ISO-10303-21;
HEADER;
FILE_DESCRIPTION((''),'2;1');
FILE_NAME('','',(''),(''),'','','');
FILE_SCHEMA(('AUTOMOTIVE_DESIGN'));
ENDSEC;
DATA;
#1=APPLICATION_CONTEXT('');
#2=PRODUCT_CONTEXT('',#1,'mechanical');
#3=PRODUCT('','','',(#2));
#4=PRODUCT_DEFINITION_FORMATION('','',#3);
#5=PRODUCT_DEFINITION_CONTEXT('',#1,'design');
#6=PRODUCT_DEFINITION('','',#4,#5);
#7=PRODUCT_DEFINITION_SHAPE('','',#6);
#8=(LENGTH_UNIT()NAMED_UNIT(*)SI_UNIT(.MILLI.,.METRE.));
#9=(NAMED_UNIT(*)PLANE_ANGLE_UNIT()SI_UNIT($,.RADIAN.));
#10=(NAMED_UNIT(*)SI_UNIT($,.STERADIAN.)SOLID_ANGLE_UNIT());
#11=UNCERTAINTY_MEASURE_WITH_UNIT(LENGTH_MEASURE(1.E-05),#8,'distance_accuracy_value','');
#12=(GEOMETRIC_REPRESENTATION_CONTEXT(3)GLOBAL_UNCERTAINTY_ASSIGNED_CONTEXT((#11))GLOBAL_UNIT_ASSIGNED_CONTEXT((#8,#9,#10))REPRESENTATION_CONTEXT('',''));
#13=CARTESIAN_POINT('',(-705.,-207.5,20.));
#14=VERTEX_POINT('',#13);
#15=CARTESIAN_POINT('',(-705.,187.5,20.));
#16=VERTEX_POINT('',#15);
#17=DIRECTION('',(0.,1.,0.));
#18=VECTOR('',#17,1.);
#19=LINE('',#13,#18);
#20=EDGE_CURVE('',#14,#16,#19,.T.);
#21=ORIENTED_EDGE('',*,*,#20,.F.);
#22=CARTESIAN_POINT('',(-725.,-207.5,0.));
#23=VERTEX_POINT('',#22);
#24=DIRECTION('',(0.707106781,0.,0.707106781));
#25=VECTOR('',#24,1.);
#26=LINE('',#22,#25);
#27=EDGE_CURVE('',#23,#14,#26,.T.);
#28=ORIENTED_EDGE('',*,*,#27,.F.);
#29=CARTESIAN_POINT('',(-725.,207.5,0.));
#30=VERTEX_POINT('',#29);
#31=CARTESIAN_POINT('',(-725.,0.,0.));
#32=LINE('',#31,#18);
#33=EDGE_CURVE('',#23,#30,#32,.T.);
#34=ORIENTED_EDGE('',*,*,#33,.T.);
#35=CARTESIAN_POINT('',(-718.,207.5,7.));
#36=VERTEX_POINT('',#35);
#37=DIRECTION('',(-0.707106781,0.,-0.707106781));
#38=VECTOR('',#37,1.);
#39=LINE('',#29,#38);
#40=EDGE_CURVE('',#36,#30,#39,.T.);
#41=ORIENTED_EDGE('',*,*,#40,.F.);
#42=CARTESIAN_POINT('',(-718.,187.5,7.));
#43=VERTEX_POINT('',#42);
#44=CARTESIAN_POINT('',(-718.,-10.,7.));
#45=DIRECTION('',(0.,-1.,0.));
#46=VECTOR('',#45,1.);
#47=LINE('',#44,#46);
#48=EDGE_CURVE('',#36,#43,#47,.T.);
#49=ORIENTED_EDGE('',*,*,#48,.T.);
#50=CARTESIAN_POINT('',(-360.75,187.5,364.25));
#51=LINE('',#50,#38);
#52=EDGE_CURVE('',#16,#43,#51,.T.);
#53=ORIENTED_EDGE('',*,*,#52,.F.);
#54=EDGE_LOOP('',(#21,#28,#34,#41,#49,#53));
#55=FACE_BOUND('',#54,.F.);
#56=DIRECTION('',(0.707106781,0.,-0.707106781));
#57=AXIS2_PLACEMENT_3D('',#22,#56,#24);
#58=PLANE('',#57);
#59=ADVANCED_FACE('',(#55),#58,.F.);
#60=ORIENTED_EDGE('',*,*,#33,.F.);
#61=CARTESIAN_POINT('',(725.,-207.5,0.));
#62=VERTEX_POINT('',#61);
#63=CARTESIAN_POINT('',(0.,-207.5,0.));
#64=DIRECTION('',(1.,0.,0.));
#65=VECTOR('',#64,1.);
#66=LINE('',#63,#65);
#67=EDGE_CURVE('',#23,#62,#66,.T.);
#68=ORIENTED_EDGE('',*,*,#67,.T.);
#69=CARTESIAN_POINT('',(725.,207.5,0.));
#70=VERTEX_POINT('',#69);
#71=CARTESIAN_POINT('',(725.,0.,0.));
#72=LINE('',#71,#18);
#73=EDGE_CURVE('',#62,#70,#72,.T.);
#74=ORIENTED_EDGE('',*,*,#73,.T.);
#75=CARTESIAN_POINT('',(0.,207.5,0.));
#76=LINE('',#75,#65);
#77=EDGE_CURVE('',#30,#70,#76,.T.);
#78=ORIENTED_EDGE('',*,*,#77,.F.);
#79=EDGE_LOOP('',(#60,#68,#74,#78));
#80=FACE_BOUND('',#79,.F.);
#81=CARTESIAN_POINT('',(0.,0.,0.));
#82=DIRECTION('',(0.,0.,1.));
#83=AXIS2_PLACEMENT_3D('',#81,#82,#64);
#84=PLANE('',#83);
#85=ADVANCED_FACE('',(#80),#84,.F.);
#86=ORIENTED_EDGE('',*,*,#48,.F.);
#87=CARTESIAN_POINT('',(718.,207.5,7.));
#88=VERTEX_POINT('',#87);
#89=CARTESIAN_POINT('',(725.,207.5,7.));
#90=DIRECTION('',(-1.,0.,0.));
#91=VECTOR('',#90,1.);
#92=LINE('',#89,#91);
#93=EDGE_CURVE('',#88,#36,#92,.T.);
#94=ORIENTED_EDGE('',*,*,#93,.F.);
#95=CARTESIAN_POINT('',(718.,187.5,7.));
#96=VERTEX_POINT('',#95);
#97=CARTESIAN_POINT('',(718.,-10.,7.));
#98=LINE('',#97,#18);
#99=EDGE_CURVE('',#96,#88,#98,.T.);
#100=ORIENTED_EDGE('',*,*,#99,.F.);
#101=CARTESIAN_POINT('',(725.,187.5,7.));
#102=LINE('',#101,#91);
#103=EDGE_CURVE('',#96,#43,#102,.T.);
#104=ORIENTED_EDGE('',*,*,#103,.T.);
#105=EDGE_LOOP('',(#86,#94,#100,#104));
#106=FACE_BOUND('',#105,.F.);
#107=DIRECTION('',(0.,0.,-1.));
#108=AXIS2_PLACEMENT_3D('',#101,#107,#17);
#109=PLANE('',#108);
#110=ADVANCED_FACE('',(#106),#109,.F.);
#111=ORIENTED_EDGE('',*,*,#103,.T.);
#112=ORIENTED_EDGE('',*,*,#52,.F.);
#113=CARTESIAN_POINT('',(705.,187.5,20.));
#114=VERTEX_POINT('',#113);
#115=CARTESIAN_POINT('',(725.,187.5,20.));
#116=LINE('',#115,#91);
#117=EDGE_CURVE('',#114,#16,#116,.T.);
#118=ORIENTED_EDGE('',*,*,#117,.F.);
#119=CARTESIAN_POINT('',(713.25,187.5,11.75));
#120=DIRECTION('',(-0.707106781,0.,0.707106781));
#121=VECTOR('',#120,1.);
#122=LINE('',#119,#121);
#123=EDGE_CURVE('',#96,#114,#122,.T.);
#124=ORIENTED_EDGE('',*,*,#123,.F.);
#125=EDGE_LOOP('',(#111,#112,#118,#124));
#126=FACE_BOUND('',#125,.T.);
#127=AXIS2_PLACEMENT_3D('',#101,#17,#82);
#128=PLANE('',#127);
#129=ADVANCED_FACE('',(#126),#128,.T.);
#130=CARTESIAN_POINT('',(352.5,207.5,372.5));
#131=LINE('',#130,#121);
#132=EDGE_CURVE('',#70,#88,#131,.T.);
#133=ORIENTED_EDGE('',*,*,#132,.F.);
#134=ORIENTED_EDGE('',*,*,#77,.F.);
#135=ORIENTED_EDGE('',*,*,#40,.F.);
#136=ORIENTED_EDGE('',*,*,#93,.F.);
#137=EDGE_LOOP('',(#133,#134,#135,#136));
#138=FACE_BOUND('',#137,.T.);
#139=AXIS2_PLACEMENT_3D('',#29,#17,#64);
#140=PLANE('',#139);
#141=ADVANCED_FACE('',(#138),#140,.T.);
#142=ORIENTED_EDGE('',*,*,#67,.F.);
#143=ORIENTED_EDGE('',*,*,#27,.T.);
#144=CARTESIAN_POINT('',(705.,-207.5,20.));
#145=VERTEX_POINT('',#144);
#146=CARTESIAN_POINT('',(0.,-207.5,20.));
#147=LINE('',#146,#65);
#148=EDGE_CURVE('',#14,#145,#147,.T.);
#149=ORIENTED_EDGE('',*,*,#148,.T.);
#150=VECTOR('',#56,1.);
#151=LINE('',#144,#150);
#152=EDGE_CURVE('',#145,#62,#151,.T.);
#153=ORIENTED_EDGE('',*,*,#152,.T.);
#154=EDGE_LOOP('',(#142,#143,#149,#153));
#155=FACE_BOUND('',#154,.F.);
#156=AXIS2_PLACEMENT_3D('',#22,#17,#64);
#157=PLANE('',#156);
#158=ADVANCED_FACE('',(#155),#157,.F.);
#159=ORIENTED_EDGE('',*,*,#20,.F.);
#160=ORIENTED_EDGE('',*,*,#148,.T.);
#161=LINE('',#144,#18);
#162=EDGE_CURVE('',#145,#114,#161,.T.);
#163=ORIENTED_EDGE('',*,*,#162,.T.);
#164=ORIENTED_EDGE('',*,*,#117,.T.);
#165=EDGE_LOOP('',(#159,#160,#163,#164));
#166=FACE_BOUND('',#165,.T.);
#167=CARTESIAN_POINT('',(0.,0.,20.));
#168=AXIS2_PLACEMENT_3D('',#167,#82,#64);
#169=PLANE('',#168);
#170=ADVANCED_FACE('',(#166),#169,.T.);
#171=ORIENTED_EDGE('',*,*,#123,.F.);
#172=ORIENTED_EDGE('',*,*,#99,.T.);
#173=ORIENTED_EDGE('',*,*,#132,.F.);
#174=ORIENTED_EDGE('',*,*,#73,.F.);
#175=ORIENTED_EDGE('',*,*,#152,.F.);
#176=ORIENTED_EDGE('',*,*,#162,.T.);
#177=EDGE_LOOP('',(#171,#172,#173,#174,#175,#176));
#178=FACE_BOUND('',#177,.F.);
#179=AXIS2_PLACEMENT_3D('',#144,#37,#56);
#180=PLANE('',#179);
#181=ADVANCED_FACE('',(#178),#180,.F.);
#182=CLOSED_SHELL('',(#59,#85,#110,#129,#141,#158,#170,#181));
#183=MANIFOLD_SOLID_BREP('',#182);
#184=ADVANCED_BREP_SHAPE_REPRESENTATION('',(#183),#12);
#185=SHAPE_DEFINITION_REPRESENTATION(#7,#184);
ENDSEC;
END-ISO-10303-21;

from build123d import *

# Parameters (mm, degrees)
F0_W     = 1450
F0_H     = 415
F1_DEPTH = 20
F2_W     = 20
F2_H     = 13
F3_DEPTH = 1450
F5_DEPTH = 510


with BuildPart() as f1:
    # F0 (on Top) → F1 (new body)
    with BuildSketch(Plane.XY):
        Rectangle(F0_W, F0_H)
    extrude(amount=F1_DEPTH)

    # F2 (on face) → F3 (cut)
    with BuildSketch(Plane.YZ.offset(725)):
        with Locations((197.5, 13.5)):
            Rectangle(F2_W, F2_H)
    extrude(amount=-F3_DEPTH, mode=Mode.SUBTRACT)

    # F4 (on face) → F5 (cut)
    with BuildSketch(Plane.XZ.offset(207.5)):
        Polygon((725, 0), (725, 20), (705, 20), align=None)
        Polygon((-725, 20), (-725, 0), (-705, 20), align=None)
    extrude(amount=-F5_DEPTH, mode=Mode.SUBTRACT)


solid = f1.part
